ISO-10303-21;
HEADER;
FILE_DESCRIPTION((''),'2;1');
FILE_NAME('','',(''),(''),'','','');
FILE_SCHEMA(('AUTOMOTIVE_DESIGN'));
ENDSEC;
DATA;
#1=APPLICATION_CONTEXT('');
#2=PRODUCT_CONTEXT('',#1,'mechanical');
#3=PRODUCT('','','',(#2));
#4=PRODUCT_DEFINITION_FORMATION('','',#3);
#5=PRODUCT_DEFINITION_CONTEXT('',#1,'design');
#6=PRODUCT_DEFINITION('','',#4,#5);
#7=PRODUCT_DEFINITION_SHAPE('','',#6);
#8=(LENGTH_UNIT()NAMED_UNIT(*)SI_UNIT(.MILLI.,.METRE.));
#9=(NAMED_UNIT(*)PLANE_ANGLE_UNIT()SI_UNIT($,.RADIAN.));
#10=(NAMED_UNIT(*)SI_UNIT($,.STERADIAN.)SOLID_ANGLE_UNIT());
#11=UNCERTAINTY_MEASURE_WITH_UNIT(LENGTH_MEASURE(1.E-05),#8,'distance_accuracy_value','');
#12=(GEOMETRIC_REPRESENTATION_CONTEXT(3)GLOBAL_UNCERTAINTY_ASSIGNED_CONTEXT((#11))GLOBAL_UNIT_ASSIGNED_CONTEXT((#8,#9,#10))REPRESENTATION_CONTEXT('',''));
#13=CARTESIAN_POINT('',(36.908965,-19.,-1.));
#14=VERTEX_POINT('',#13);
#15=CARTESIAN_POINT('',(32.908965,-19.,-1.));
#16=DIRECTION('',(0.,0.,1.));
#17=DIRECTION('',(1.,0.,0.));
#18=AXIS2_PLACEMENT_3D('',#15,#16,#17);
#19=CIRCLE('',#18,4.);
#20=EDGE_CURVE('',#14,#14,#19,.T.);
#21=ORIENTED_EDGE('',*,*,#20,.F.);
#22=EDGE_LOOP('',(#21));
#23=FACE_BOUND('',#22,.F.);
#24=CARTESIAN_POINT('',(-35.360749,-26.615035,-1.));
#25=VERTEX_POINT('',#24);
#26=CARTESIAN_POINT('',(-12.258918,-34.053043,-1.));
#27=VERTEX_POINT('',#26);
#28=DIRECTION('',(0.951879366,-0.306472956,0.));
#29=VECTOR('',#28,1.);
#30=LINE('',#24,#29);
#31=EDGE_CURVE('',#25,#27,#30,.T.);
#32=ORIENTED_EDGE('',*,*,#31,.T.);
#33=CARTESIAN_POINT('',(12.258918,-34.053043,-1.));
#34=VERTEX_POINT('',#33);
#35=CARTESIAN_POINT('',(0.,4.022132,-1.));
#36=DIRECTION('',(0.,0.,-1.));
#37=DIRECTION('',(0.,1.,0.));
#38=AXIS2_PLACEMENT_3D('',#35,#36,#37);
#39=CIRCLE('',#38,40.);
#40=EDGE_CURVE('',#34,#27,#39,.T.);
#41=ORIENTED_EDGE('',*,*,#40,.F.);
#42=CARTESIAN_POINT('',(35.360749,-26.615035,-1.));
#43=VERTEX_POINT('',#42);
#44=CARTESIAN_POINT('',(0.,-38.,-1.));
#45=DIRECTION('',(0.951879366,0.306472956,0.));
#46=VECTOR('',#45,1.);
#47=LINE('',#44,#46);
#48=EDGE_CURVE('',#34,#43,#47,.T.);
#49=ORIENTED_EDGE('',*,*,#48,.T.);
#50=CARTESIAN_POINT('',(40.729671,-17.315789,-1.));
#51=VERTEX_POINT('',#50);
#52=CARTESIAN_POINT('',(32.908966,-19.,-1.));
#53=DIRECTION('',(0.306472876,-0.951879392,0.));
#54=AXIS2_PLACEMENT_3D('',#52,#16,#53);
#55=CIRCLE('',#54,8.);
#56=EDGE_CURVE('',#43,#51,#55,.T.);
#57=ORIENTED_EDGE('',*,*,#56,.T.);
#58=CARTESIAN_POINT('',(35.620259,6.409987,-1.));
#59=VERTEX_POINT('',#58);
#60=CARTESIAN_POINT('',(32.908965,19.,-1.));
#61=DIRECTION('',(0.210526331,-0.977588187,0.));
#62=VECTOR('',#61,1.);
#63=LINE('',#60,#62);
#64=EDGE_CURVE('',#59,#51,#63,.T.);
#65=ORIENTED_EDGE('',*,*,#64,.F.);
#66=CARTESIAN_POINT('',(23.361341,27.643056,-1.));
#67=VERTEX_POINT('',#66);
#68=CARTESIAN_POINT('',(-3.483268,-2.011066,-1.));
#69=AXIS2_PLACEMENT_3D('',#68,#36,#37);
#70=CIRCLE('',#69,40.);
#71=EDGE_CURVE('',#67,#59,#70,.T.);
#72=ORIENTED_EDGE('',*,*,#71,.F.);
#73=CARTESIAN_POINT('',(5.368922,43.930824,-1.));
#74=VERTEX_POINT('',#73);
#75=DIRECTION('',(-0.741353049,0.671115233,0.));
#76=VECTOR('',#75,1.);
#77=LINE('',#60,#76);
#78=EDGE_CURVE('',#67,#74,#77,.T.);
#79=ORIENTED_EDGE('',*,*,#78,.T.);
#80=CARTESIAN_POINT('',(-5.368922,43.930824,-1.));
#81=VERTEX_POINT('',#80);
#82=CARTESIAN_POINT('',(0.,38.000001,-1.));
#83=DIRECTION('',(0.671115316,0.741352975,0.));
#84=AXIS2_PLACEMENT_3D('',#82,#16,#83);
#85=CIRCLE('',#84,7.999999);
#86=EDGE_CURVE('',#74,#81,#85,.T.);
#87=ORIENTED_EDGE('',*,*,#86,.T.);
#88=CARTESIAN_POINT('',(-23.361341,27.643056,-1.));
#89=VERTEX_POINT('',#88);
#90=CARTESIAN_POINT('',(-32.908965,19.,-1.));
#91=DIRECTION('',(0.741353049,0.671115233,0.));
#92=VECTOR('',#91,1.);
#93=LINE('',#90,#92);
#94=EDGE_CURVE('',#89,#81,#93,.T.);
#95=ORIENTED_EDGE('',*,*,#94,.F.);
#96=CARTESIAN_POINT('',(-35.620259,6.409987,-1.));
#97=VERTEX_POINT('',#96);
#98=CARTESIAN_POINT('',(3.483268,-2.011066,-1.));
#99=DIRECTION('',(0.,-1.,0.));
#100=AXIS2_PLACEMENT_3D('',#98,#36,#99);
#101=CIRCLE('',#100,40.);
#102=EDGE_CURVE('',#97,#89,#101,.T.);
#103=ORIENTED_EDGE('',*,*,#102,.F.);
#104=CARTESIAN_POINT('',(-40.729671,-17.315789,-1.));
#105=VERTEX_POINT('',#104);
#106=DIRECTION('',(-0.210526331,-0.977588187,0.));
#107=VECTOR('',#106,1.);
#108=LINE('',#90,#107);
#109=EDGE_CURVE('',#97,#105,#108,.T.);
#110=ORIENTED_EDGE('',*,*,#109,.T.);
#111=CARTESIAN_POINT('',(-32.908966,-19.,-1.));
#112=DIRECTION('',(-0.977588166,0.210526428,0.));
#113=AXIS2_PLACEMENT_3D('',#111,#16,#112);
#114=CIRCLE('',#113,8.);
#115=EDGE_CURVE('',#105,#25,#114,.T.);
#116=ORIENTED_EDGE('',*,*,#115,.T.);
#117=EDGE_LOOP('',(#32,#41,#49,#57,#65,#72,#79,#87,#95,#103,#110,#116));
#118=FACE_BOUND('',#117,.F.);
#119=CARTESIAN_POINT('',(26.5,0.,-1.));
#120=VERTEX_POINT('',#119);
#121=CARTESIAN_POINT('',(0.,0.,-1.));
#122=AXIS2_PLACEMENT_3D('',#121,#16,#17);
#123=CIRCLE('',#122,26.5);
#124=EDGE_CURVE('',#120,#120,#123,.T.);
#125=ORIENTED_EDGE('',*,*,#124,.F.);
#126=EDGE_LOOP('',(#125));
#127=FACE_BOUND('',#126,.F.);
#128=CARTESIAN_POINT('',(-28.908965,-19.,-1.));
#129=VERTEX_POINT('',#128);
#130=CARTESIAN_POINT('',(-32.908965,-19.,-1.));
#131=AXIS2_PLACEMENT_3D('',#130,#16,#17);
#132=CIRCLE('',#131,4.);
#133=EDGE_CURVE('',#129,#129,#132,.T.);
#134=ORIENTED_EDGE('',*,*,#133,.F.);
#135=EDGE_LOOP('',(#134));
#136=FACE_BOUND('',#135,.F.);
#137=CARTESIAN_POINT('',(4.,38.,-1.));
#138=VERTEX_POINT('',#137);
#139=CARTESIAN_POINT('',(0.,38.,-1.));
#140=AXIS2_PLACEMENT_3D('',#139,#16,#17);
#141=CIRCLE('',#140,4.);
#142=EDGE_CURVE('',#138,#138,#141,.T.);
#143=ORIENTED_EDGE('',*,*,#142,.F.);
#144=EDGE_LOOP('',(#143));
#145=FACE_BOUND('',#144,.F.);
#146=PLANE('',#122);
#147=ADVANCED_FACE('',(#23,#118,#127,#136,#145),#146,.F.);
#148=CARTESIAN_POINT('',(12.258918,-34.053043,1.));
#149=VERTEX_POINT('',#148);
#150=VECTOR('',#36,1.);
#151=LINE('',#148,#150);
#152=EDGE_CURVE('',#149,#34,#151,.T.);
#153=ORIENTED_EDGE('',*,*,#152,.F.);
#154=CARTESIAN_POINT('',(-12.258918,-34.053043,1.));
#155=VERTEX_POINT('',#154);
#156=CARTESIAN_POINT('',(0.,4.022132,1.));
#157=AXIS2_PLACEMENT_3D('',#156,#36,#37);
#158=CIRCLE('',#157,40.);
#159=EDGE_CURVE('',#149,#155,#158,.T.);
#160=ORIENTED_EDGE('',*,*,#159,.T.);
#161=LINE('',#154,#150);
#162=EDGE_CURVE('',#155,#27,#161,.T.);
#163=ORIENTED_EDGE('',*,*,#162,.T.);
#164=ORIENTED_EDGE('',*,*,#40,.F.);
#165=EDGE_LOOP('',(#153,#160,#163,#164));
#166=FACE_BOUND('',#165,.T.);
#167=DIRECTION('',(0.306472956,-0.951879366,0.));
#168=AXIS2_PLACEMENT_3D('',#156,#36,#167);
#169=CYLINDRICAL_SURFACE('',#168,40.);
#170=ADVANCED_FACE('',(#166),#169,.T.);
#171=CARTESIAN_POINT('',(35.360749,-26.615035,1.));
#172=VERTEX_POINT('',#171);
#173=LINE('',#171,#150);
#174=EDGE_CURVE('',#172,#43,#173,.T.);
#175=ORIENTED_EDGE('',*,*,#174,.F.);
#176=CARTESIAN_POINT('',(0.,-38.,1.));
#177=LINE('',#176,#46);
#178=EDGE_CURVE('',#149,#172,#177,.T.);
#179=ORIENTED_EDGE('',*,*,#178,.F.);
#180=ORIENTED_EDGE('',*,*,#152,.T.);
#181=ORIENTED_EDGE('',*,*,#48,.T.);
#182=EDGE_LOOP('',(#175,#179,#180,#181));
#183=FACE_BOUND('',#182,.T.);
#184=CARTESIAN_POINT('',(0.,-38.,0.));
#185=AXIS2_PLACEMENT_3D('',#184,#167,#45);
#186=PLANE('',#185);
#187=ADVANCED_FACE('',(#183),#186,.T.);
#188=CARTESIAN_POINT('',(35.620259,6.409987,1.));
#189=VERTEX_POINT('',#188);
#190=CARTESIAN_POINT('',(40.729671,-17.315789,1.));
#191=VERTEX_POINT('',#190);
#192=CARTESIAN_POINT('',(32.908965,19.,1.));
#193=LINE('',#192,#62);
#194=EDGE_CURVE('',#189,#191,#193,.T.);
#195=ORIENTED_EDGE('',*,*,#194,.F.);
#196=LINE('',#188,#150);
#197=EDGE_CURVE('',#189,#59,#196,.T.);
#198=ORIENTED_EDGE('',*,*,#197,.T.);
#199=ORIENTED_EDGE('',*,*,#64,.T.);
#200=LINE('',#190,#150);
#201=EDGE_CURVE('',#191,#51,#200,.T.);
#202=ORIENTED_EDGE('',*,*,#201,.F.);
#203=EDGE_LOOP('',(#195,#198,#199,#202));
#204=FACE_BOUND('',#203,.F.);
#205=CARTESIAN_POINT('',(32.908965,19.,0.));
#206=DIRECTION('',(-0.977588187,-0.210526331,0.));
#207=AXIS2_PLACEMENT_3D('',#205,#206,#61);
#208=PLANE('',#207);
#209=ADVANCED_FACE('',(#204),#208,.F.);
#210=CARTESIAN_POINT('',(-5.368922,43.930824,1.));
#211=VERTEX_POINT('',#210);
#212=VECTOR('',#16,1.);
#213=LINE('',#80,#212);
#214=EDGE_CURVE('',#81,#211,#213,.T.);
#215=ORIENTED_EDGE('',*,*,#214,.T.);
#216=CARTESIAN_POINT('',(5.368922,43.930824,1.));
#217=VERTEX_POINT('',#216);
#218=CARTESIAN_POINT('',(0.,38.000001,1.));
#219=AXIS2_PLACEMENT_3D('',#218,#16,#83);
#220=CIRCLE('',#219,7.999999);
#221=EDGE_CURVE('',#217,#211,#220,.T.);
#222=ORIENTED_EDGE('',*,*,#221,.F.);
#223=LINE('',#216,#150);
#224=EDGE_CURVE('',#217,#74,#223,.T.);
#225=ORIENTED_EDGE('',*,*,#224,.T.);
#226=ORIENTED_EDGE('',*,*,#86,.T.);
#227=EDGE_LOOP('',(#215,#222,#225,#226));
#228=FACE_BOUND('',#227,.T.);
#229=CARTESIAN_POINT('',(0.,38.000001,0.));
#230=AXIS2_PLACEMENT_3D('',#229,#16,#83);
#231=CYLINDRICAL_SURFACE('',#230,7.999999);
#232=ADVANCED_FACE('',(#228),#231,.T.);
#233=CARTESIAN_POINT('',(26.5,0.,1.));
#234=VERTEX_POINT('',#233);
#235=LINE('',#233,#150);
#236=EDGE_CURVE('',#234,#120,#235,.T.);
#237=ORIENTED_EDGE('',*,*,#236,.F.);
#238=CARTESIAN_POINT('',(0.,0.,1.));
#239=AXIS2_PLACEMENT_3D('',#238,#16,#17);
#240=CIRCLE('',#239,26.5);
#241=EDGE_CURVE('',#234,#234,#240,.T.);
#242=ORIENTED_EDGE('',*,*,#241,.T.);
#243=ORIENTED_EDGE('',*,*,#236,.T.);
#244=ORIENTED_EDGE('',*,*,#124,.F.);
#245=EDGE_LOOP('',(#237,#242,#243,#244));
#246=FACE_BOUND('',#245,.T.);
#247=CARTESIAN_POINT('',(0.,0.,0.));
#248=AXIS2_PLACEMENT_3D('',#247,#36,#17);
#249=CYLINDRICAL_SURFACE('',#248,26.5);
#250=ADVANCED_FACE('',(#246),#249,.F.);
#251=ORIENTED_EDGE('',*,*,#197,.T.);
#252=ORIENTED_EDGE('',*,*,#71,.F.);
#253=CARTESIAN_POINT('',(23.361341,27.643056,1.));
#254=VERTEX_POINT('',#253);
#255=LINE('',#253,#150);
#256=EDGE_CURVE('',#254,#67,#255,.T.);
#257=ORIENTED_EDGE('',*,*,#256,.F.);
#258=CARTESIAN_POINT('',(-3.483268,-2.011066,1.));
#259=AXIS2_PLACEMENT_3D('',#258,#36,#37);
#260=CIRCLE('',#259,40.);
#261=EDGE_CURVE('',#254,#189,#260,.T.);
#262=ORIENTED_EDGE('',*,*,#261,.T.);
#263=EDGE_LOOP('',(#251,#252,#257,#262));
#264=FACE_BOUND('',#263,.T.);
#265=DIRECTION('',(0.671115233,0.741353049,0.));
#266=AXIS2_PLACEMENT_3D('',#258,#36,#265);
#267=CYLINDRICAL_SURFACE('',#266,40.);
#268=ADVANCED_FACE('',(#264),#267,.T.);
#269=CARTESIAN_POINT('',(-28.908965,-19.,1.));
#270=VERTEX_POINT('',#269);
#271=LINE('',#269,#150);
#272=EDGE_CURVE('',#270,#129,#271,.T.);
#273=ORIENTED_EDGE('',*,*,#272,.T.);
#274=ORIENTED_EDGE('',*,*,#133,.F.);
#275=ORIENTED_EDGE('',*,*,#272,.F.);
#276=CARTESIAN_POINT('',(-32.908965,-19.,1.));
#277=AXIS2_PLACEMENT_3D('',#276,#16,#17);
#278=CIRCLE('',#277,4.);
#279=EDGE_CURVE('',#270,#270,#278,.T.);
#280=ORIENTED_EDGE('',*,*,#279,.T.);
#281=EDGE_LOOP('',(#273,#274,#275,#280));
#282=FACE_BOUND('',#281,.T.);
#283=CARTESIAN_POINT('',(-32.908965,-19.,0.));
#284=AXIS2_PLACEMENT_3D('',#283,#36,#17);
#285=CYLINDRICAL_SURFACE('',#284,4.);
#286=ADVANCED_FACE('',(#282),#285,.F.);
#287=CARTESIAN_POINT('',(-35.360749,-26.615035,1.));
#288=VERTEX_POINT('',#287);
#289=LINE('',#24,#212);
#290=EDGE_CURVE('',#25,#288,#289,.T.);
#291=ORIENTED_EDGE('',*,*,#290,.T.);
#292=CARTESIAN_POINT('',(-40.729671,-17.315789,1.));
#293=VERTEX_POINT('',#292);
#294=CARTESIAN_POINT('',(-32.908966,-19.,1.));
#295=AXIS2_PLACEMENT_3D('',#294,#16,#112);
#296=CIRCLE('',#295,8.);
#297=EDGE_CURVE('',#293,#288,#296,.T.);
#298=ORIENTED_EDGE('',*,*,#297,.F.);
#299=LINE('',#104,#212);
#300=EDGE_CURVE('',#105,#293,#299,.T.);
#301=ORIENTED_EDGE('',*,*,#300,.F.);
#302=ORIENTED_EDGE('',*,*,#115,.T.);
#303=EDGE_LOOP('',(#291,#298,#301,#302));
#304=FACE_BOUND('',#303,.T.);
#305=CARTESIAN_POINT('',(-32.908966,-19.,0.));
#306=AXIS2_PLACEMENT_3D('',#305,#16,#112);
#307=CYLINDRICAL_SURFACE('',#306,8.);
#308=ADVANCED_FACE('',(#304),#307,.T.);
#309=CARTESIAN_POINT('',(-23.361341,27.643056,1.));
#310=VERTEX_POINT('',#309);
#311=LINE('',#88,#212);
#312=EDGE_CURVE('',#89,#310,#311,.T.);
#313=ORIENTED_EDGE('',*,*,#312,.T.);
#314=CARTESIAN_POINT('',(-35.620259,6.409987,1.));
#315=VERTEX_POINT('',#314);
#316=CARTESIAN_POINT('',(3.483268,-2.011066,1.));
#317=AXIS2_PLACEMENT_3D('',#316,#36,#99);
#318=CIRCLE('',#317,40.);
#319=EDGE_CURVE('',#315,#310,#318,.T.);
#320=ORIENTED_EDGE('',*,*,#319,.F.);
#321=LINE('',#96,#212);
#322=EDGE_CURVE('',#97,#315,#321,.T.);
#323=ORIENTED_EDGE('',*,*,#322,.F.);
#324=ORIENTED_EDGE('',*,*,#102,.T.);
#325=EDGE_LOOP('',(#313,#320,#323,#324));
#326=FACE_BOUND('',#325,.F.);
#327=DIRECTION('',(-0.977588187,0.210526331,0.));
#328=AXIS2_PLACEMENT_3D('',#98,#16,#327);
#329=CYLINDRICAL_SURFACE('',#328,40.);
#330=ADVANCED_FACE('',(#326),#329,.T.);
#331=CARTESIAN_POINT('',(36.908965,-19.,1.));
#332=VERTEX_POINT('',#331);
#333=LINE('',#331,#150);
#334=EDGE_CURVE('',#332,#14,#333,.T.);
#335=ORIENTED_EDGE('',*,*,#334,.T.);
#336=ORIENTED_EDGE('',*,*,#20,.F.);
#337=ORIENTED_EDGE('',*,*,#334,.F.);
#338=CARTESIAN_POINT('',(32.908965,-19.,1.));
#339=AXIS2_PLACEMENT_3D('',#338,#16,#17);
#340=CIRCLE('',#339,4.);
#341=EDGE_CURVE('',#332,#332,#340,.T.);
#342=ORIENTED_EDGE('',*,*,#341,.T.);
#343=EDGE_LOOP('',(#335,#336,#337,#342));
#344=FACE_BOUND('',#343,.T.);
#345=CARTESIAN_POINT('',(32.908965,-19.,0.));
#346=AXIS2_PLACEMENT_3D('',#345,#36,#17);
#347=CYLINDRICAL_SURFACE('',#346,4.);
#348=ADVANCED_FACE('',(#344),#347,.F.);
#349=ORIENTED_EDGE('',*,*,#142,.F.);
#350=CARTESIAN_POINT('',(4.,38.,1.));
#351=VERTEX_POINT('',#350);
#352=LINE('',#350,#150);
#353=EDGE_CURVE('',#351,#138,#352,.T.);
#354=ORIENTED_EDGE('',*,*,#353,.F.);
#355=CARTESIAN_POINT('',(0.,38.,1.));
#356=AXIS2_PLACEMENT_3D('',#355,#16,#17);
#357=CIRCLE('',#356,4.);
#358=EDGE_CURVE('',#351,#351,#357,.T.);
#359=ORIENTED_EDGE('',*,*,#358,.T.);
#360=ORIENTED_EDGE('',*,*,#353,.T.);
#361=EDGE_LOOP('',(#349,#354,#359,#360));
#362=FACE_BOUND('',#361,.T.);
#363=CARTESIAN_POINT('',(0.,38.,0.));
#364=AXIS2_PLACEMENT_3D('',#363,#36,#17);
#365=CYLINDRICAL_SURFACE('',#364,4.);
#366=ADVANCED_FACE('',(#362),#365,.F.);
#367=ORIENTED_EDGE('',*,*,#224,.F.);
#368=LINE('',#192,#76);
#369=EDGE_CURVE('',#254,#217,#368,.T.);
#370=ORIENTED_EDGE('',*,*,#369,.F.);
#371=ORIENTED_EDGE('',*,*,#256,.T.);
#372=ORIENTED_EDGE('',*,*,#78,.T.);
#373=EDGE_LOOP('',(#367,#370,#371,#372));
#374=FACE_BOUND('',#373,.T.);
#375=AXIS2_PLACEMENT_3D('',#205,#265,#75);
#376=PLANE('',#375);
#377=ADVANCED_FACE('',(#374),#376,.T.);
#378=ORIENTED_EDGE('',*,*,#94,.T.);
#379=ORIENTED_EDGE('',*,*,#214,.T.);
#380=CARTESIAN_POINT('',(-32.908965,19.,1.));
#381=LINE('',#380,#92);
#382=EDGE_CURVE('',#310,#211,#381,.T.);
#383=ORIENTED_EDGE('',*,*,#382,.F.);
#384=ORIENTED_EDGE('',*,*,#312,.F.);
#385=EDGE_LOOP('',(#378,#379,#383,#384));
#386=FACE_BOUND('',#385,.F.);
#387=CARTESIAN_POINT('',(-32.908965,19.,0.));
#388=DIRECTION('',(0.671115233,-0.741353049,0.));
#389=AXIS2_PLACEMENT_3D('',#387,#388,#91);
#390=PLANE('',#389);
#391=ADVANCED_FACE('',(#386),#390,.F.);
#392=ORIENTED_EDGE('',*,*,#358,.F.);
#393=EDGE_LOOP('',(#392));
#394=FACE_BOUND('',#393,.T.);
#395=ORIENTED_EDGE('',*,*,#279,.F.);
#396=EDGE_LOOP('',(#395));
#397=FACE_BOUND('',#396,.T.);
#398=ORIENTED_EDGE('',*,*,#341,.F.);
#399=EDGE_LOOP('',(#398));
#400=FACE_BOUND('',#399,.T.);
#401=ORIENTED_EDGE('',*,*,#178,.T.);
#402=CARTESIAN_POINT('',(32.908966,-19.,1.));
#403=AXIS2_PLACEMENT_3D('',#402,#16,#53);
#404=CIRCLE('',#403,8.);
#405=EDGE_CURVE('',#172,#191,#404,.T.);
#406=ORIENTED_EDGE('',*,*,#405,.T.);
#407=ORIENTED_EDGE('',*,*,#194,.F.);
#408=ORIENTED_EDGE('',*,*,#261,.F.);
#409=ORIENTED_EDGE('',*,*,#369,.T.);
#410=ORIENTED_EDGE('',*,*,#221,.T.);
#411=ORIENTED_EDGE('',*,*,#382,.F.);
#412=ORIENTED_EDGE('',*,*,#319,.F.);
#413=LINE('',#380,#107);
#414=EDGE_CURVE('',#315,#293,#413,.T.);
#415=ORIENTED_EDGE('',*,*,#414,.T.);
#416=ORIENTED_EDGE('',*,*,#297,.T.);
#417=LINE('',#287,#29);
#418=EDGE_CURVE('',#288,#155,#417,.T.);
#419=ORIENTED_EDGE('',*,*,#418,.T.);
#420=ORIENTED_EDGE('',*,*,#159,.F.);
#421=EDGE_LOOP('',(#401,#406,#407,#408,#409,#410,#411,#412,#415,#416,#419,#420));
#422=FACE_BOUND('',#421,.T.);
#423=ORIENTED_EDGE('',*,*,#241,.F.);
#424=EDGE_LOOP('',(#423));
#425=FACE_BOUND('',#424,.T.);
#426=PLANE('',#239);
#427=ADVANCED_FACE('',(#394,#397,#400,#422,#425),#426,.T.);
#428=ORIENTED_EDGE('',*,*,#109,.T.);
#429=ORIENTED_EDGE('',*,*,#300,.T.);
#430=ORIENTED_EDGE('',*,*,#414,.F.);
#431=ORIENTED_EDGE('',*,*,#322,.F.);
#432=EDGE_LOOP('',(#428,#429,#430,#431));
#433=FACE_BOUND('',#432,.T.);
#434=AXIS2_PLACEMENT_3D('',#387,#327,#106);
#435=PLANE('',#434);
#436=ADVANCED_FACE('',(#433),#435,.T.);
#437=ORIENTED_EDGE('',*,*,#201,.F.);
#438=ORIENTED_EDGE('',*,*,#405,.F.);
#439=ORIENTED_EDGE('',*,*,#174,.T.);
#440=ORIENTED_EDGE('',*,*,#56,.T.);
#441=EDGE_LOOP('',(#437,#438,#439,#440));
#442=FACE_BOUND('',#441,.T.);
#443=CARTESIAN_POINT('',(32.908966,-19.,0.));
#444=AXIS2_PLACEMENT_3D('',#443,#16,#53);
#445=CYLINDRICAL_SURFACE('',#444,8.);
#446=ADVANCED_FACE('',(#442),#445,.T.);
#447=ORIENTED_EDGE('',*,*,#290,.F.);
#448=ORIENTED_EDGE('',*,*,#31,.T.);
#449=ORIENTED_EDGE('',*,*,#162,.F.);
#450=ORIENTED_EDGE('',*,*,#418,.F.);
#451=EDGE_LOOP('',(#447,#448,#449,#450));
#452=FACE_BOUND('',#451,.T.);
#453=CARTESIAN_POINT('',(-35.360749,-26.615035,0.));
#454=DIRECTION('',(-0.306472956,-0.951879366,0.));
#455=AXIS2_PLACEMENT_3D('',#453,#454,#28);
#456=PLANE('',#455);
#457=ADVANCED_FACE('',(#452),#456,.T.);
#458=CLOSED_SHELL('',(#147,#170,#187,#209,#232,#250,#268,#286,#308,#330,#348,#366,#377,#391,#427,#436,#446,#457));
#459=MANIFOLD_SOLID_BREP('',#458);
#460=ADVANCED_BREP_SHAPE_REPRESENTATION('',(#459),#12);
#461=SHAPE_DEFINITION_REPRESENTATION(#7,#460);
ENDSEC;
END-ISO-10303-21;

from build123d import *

# Parameters (mm, degrees)
SKETCH_R   = 26.5
SKETCH_R_2 = 4
PAD_DEPTH  = 1
FILLET_R   = 40


with BuildPart() as part:
    # Sketch → Pad (new body, symmetric)
    with BuildSketch(Plane.XY):
        with BuildLine():
            ThreePointArc((5.368922, 43.930824), (0, 46), (-5.368922, 43.930824))
            Line((-32.908965, 19), (-5.368922, 43.930824))
            Line((-32.908965, 19), (-40.729671, -17.315789))
            ThreePointArc((-40.729671, -17.315789), (-39.837169, -23), (-35.360749, -26.615035))
            Line((-35.360749, -26.615035), (0, -38))
            Line((0, -38), (35.360749, -26.615035))
            ThreePointArc((35.360749, -26.615035), (39.837169, -23), (40.729671, -17.315789))
            Line((32.908965, 19), (40.729671, -17.315789))
            Line((32.908965, 19), (5.368922, 43.930824))
        make_face()
        Circle(SKETCH_R, mode=Mode.SUBTRACT)
        with Locations((0, 38)):
            Circle(SKETCH_R_2, mode=Mode.SUBTRACT)
        with Locations((32.908965, -19)):
            Circle(SKETCH_R_2, mode=Mode.SUBTRACT)
        with Locations((-32.908965, -19)):
            Circle(SKETCH_R_2, mode=Mode.SUBTRACT)
    extrude(amount=PAD_DEPTH, both=True)

    # Fillet
    fillet_edges = [part.edges().sort_by_distance(p)[0] for p in [
        (32.908965, 19, 0),
        (0, -38, 0),
        (-32.908965, 19, 0),
    ]]
    fillet(fillet_edges, radius=FILLET_R)


solid = part.part
